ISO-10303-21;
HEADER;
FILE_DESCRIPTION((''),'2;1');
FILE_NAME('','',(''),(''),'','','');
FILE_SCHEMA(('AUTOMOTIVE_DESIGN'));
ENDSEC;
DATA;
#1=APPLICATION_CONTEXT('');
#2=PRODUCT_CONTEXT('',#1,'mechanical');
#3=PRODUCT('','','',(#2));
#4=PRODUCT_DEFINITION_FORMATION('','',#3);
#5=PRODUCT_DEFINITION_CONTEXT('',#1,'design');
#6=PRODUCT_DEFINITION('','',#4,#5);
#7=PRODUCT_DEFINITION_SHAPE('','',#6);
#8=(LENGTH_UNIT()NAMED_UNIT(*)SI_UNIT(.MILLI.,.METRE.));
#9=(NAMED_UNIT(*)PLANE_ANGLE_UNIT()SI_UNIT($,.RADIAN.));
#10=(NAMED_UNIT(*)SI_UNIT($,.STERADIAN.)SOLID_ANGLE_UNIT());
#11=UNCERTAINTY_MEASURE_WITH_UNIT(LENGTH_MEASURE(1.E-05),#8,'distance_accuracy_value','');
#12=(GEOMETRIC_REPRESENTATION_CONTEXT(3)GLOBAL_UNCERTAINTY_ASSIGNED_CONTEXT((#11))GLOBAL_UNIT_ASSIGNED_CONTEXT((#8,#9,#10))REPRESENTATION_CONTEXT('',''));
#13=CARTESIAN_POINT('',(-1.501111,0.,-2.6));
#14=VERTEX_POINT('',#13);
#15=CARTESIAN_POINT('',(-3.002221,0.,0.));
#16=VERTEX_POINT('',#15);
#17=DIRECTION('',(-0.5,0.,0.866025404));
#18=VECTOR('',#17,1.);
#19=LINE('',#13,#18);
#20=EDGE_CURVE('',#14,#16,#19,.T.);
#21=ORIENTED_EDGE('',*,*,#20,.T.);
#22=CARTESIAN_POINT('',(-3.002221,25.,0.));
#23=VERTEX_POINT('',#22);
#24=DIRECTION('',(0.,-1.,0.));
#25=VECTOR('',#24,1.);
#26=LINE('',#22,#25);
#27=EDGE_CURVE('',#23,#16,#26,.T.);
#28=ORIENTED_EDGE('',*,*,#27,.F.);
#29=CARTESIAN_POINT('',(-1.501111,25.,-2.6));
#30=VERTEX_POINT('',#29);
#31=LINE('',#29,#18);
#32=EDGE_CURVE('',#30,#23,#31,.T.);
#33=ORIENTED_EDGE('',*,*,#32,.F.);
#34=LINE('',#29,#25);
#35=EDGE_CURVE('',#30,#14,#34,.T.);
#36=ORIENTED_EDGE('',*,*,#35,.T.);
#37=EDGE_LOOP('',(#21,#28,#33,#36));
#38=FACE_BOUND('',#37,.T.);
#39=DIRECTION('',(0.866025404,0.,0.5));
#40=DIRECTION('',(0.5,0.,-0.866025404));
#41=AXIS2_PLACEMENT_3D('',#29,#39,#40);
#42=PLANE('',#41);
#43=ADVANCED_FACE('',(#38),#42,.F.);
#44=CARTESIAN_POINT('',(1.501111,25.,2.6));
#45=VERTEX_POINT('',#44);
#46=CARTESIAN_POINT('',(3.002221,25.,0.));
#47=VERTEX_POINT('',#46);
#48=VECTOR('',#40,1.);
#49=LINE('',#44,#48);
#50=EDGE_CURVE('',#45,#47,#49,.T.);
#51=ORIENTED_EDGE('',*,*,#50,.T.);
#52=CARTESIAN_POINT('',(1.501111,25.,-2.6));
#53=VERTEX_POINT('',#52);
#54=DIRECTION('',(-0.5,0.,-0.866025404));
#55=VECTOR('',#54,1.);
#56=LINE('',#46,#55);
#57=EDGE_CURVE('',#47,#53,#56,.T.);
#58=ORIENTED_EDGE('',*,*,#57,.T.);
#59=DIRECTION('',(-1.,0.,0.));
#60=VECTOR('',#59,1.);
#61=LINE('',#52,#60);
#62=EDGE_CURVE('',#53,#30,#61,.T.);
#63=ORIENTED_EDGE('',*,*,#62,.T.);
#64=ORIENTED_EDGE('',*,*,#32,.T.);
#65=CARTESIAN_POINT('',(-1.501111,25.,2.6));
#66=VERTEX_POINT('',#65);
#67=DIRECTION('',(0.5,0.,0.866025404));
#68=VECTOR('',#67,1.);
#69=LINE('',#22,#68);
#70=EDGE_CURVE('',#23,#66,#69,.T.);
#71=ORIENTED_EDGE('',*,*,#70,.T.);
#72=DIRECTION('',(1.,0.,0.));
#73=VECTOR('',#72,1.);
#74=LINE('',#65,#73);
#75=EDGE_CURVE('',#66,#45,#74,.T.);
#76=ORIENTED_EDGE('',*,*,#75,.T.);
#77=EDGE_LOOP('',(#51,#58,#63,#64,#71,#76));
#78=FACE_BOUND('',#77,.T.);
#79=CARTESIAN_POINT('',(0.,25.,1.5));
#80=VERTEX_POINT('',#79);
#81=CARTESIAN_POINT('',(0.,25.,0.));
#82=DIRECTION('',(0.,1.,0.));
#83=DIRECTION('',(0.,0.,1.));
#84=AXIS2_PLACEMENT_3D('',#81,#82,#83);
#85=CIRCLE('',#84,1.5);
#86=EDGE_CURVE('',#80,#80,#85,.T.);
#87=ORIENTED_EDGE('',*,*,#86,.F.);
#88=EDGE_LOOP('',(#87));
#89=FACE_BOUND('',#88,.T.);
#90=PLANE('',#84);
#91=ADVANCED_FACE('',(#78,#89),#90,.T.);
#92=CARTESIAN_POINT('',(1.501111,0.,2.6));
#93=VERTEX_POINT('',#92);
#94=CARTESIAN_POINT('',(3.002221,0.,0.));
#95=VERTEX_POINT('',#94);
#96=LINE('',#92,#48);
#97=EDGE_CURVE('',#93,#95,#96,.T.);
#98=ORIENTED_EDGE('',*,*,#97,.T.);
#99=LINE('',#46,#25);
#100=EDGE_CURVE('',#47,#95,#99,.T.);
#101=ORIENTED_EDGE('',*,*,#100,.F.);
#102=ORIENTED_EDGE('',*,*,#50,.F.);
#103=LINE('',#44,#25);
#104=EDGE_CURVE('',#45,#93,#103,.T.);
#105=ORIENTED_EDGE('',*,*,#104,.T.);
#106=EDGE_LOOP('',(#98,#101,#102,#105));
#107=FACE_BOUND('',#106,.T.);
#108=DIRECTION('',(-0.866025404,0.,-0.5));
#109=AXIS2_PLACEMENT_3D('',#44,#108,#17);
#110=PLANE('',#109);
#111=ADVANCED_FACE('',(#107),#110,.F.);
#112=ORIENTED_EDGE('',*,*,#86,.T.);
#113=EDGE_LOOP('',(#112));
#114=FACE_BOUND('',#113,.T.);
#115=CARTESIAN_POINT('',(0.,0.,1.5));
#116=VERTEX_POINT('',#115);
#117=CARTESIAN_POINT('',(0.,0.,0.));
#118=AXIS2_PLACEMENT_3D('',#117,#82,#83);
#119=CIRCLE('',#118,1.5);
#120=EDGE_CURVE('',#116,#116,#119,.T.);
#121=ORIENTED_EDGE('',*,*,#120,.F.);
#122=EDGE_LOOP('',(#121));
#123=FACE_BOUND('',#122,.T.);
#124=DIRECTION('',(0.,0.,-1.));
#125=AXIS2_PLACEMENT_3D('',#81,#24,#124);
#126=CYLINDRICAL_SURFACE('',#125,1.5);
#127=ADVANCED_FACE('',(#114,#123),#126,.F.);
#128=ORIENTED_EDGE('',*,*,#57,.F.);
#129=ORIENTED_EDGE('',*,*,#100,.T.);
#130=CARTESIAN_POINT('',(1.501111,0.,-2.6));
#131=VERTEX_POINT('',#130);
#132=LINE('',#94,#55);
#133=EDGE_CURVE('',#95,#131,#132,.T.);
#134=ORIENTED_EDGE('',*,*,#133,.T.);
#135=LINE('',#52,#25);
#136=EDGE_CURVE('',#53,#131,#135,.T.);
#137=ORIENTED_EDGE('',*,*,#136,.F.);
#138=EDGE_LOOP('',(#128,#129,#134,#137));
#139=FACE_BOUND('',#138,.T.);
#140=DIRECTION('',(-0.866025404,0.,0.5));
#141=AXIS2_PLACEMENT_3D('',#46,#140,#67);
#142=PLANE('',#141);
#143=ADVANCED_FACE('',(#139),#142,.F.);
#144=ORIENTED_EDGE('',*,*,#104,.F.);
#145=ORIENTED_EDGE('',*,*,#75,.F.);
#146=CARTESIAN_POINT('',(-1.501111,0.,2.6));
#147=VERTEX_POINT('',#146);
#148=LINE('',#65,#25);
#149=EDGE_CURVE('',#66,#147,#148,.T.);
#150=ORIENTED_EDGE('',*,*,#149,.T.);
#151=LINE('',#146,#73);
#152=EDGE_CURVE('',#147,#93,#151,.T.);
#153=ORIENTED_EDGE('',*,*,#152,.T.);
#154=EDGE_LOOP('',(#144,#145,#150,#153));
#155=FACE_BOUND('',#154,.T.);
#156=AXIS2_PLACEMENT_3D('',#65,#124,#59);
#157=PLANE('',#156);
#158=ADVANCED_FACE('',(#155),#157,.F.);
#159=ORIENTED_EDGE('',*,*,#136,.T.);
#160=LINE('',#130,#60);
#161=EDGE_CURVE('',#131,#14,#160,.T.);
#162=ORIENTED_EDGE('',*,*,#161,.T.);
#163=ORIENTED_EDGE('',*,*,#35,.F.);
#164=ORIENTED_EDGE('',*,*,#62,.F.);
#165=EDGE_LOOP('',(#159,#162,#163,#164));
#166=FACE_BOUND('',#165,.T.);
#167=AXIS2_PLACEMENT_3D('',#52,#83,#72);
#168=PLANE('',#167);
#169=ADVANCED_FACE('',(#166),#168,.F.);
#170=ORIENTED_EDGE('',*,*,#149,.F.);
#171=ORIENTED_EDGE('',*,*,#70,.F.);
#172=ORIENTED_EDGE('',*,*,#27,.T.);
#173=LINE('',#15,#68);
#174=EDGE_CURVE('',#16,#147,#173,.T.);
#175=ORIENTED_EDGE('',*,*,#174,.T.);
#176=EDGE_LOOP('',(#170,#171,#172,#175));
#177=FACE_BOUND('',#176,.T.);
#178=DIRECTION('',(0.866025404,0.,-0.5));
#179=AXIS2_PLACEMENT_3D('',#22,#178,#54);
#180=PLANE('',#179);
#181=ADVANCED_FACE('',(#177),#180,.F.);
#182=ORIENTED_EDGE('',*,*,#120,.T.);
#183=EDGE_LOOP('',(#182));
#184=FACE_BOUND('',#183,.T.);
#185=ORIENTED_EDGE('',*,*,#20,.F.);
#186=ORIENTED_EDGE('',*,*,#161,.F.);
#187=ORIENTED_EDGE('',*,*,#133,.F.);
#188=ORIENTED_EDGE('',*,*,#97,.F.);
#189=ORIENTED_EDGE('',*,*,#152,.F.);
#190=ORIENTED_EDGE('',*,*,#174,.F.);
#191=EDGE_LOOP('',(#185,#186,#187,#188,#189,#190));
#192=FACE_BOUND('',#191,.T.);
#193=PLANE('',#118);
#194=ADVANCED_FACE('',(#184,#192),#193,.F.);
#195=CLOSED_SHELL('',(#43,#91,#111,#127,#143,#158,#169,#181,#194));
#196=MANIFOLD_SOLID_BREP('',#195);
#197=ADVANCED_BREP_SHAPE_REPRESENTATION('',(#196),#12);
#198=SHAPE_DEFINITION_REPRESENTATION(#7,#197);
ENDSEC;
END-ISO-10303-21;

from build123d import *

# Parameters (mm, degrees)
SKETCH1_R           = 1.5
BOSS_EXTRUDE1_DEPTH = 25


with BuildPart() as part:
    # Sketch1 → Boss-Extrude1 (new body)
    with BuildSketch(Plane(origin=(0, 0, 0), x_dir=(1, 0, 0), z_dir=(0, 1, 0))):
        Polygon((3.0022214, 0), (1.5011107, 2.6), (-1.5011107, 2.6), (-3.0022214, 0), (-1.5011107, -2.6), (1.5011107, -2.6), align=None)
        with Locations(Location((0, 0, 0), (0, 0, 270))):
            Circle(SKETCH1_R, mode=Mode.SUBTRACT)
    extrude(amount=BOSS_EXTRUDE1_DEPTH)


solid = part.part
